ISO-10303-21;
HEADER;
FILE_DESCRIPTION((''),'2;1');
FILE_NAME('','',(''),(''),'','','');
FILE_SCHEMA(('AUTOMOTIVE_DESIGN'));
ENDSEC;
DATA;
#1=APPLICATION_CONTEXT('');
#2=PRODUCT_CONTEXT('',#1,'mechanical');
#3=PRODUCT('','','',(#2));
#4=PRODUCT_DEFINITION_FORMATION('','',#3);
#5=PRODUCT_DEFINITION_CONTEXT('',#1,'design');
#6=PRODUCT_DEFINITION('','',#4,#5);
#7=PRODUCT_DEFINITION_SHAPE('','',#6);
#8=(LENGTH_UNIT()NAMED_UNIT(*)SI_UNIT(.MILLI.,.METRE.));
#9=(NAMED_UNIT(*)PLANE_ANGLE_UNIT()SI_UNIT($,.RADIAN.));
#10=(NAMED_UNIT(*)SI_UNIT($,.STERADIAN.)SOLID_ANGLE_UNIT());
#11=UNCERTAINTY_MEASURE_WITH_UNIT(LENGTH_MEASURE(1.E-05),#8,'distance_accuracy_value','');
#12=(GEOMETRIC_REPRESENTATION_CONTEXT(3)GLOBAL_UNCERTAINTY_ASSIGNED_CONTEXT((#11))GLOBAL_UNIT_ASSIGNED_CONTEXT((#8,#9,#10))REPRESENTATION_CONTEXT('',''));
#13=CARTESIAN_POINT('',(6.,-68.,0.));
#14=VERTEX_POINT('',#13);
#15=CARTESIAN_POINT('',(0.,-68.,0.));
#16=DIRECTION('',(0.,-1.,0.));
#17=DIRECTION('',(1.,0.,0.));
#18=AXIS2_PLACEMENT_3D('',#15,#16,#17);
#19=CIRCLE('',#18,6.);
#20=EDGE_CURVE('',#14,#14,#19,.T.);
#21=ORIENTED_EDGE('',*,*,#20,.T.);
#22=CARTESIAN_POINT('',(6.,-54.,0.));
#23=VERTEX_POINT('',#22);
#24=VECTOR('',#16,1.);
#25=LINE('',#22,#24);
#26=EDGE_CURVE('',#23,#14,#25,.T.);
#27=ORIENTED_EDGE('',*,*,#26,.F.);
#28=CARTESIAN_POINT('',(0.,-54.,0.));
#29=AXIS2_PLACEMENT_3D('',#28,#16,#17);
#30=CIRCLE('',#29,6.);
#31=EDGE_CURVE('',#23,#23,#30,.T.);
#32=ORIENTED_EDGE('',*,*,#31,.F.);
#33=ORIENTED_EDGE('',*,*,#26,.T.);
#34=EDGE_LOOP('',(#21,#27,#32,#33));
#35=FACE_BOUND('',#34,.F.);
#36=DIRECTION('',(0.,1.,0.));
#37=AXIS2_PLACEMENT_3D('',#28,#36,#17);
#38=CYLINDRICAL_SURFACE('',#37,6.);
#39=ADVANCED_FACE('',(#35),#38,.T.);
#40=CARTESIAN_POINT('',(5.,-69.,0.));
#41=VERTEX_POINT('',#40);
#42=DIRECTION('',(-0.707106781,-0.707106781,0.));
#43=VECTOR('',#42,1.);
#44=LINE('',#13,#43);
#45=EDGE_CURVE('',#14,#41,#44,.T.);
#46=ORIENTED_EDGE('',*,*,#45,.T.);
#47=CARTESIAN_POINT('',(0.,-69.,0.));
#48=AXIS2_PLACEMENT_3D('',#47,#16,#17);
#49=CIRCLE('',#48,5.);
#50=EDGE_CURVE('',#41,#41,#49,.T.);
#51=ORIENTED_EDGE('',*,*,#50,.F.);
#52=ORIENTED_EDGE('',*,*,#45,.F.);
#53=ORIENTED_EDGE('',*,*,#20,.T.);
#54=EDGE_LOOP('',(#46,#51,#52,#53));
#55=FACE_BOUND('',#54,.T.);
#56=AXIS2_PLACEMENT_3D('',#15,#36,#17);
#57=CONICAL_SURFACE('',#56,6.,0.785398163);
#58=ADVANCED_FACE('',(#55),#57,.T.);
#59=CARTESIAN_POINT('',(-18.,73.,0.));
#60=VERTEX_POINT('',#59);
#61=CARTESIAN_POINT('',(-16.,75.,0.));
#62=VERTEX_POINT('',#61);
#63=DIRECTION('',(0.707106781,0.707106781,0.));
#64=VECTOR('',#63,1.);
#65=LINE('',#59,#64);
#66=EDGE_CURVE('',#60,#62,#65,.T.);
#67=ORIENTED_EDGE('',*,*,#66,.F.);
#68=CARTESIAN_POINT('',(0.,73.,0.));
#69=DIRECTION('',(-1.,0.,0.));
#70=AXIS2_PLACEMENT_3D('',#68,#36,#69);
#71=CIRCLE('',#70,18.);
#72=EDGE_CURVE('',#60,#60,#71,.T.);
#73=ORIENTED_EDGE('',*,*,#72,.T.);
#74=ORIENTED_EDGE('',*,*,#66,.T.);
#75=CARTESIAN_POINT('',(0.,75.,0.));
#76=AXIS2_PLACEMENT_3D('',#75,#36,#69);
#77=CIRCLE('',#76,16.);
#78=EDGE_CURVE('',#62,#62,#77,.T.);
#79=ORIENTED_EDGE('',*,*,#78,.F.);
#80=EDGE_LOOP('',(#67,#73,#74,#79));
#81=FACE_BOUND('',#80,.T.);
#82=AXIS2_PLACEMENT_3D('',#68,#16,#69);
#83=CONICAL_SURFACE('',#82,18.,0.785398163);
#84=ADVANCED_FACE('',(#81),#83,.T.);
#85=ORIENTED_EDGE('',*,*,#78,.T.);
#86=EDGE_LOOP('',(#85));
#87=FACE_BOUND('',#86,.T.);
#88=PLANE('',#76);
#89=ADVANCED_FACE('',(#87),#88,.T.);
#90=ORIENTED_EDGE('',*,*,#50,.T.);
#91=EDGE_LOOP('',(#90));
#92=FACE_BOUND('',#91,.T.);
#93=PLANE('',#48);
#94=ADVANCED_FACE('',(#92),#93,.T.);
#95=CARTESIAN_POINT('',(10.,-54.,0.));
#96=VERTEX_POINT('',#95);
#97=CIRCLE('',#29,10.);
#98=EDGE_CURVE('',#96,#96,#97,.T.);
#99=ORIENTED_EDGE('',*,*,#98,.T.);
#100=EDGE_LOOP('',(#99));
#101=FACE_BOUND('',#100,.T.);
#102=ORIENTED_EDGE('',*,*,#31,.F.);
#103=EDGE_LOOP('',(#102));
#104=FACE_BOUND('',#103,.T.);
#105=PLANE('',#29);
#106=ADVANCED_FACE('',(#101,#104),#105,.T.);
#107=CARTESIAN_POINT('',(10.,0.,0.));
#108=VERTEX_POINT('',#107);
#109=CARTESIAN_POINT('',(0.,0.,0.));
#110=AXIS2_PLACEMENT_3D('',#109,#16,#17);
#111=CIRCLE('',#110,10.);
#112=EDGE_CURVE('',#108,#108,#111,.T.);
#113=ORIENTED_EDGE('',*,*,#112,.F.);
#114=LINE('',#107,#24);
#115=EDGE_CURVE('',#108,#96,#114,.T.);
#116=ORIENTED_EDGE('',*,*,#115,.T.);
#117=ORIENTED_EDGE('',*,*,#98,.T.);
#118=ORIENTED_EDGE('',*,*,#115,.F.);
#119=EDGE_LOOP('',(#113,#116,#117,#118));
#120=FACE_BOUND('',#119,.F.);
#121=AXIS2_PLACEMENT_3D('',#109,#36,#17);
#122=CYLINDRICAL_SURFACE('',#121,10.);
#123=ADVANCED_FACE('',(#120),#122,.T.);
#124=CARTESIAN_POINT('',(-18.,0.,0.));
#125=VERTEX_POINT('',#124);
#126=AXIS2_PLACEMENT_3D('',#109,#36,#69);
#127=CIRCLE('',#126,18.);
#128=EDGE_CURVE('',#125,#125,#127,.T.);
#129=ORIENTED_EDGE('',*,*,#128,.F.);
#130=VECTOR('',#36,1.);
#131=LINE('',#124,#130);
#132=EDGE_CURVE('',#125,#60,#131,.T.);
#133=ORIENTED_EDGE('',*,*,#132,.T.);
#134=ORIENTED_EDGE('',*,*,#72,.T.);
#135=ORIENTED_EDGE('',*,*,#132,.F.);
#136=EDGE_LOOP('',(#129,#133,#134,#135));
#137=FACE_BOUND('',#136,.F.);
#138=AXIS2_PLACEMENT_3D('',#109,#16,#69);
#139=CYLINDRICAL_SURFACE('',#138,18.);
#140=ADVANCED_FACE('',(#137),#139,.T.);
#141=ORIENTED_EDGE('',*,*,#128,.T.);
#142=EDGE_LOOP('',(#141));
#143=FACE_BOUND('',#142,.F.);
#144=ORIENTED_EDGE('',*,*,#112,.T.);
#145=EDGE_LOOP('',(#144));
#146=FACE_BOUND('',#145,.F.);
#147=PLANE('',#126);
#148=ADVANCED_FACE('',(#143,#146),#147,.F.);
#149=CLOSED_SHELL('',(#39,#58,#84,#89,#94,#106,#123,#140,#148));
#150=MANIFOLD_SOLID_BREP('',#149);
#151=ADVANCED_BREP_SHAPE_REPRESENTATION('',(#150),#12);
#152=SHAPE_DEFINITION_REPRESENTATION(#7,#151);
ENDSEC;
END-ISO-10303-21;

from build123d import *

# Parameters (mm, degrees)
F0_R     = 10
F1_DEPTH = 54
F2_R     = 6
F3_DEPTH = 15
F4_R     = 18
F5_DEPTH = 75
F6_SIZE  = 2
F7_SIZE  = 1


with BuildPart() as f1:
    # F0 (on Front) → F1 (new body)
    with BuildSketch(Plane.XZ):
        Circle(F0_R)
    extrude(amount=F1_DEPTH)

    # F2 (on face) → F3 (join)
    with BuildSketch(Plane.XZ.offset(54)):
        Circle(F2_R)
    extrude(amount=F3_DEPTH)

    # F4 (on face) → F5 (join)
    with BuildSketch(Plane(origin=(0, 0, 0), x_dir=(-1, 0, 0), z_dir=(0, 1, 0))):
        Circle(F4_R)
    extrude(amount=F5_DEPTH)

    # F6
    f6_edges = [f1.edges().sort_by_distance(p)[0] for p in [
        (18, 75, 0),
    ]]
    chamfer(f6_edges, length=F6_SIZE)

    # F7
    f7_edges = [f1.edges().sort_by_distance(p)[0] for p in [
        (-6, -69, 0),
    ]]
    chamfer(f7_edges, length=F7_SIZE)


solid = f1.part
